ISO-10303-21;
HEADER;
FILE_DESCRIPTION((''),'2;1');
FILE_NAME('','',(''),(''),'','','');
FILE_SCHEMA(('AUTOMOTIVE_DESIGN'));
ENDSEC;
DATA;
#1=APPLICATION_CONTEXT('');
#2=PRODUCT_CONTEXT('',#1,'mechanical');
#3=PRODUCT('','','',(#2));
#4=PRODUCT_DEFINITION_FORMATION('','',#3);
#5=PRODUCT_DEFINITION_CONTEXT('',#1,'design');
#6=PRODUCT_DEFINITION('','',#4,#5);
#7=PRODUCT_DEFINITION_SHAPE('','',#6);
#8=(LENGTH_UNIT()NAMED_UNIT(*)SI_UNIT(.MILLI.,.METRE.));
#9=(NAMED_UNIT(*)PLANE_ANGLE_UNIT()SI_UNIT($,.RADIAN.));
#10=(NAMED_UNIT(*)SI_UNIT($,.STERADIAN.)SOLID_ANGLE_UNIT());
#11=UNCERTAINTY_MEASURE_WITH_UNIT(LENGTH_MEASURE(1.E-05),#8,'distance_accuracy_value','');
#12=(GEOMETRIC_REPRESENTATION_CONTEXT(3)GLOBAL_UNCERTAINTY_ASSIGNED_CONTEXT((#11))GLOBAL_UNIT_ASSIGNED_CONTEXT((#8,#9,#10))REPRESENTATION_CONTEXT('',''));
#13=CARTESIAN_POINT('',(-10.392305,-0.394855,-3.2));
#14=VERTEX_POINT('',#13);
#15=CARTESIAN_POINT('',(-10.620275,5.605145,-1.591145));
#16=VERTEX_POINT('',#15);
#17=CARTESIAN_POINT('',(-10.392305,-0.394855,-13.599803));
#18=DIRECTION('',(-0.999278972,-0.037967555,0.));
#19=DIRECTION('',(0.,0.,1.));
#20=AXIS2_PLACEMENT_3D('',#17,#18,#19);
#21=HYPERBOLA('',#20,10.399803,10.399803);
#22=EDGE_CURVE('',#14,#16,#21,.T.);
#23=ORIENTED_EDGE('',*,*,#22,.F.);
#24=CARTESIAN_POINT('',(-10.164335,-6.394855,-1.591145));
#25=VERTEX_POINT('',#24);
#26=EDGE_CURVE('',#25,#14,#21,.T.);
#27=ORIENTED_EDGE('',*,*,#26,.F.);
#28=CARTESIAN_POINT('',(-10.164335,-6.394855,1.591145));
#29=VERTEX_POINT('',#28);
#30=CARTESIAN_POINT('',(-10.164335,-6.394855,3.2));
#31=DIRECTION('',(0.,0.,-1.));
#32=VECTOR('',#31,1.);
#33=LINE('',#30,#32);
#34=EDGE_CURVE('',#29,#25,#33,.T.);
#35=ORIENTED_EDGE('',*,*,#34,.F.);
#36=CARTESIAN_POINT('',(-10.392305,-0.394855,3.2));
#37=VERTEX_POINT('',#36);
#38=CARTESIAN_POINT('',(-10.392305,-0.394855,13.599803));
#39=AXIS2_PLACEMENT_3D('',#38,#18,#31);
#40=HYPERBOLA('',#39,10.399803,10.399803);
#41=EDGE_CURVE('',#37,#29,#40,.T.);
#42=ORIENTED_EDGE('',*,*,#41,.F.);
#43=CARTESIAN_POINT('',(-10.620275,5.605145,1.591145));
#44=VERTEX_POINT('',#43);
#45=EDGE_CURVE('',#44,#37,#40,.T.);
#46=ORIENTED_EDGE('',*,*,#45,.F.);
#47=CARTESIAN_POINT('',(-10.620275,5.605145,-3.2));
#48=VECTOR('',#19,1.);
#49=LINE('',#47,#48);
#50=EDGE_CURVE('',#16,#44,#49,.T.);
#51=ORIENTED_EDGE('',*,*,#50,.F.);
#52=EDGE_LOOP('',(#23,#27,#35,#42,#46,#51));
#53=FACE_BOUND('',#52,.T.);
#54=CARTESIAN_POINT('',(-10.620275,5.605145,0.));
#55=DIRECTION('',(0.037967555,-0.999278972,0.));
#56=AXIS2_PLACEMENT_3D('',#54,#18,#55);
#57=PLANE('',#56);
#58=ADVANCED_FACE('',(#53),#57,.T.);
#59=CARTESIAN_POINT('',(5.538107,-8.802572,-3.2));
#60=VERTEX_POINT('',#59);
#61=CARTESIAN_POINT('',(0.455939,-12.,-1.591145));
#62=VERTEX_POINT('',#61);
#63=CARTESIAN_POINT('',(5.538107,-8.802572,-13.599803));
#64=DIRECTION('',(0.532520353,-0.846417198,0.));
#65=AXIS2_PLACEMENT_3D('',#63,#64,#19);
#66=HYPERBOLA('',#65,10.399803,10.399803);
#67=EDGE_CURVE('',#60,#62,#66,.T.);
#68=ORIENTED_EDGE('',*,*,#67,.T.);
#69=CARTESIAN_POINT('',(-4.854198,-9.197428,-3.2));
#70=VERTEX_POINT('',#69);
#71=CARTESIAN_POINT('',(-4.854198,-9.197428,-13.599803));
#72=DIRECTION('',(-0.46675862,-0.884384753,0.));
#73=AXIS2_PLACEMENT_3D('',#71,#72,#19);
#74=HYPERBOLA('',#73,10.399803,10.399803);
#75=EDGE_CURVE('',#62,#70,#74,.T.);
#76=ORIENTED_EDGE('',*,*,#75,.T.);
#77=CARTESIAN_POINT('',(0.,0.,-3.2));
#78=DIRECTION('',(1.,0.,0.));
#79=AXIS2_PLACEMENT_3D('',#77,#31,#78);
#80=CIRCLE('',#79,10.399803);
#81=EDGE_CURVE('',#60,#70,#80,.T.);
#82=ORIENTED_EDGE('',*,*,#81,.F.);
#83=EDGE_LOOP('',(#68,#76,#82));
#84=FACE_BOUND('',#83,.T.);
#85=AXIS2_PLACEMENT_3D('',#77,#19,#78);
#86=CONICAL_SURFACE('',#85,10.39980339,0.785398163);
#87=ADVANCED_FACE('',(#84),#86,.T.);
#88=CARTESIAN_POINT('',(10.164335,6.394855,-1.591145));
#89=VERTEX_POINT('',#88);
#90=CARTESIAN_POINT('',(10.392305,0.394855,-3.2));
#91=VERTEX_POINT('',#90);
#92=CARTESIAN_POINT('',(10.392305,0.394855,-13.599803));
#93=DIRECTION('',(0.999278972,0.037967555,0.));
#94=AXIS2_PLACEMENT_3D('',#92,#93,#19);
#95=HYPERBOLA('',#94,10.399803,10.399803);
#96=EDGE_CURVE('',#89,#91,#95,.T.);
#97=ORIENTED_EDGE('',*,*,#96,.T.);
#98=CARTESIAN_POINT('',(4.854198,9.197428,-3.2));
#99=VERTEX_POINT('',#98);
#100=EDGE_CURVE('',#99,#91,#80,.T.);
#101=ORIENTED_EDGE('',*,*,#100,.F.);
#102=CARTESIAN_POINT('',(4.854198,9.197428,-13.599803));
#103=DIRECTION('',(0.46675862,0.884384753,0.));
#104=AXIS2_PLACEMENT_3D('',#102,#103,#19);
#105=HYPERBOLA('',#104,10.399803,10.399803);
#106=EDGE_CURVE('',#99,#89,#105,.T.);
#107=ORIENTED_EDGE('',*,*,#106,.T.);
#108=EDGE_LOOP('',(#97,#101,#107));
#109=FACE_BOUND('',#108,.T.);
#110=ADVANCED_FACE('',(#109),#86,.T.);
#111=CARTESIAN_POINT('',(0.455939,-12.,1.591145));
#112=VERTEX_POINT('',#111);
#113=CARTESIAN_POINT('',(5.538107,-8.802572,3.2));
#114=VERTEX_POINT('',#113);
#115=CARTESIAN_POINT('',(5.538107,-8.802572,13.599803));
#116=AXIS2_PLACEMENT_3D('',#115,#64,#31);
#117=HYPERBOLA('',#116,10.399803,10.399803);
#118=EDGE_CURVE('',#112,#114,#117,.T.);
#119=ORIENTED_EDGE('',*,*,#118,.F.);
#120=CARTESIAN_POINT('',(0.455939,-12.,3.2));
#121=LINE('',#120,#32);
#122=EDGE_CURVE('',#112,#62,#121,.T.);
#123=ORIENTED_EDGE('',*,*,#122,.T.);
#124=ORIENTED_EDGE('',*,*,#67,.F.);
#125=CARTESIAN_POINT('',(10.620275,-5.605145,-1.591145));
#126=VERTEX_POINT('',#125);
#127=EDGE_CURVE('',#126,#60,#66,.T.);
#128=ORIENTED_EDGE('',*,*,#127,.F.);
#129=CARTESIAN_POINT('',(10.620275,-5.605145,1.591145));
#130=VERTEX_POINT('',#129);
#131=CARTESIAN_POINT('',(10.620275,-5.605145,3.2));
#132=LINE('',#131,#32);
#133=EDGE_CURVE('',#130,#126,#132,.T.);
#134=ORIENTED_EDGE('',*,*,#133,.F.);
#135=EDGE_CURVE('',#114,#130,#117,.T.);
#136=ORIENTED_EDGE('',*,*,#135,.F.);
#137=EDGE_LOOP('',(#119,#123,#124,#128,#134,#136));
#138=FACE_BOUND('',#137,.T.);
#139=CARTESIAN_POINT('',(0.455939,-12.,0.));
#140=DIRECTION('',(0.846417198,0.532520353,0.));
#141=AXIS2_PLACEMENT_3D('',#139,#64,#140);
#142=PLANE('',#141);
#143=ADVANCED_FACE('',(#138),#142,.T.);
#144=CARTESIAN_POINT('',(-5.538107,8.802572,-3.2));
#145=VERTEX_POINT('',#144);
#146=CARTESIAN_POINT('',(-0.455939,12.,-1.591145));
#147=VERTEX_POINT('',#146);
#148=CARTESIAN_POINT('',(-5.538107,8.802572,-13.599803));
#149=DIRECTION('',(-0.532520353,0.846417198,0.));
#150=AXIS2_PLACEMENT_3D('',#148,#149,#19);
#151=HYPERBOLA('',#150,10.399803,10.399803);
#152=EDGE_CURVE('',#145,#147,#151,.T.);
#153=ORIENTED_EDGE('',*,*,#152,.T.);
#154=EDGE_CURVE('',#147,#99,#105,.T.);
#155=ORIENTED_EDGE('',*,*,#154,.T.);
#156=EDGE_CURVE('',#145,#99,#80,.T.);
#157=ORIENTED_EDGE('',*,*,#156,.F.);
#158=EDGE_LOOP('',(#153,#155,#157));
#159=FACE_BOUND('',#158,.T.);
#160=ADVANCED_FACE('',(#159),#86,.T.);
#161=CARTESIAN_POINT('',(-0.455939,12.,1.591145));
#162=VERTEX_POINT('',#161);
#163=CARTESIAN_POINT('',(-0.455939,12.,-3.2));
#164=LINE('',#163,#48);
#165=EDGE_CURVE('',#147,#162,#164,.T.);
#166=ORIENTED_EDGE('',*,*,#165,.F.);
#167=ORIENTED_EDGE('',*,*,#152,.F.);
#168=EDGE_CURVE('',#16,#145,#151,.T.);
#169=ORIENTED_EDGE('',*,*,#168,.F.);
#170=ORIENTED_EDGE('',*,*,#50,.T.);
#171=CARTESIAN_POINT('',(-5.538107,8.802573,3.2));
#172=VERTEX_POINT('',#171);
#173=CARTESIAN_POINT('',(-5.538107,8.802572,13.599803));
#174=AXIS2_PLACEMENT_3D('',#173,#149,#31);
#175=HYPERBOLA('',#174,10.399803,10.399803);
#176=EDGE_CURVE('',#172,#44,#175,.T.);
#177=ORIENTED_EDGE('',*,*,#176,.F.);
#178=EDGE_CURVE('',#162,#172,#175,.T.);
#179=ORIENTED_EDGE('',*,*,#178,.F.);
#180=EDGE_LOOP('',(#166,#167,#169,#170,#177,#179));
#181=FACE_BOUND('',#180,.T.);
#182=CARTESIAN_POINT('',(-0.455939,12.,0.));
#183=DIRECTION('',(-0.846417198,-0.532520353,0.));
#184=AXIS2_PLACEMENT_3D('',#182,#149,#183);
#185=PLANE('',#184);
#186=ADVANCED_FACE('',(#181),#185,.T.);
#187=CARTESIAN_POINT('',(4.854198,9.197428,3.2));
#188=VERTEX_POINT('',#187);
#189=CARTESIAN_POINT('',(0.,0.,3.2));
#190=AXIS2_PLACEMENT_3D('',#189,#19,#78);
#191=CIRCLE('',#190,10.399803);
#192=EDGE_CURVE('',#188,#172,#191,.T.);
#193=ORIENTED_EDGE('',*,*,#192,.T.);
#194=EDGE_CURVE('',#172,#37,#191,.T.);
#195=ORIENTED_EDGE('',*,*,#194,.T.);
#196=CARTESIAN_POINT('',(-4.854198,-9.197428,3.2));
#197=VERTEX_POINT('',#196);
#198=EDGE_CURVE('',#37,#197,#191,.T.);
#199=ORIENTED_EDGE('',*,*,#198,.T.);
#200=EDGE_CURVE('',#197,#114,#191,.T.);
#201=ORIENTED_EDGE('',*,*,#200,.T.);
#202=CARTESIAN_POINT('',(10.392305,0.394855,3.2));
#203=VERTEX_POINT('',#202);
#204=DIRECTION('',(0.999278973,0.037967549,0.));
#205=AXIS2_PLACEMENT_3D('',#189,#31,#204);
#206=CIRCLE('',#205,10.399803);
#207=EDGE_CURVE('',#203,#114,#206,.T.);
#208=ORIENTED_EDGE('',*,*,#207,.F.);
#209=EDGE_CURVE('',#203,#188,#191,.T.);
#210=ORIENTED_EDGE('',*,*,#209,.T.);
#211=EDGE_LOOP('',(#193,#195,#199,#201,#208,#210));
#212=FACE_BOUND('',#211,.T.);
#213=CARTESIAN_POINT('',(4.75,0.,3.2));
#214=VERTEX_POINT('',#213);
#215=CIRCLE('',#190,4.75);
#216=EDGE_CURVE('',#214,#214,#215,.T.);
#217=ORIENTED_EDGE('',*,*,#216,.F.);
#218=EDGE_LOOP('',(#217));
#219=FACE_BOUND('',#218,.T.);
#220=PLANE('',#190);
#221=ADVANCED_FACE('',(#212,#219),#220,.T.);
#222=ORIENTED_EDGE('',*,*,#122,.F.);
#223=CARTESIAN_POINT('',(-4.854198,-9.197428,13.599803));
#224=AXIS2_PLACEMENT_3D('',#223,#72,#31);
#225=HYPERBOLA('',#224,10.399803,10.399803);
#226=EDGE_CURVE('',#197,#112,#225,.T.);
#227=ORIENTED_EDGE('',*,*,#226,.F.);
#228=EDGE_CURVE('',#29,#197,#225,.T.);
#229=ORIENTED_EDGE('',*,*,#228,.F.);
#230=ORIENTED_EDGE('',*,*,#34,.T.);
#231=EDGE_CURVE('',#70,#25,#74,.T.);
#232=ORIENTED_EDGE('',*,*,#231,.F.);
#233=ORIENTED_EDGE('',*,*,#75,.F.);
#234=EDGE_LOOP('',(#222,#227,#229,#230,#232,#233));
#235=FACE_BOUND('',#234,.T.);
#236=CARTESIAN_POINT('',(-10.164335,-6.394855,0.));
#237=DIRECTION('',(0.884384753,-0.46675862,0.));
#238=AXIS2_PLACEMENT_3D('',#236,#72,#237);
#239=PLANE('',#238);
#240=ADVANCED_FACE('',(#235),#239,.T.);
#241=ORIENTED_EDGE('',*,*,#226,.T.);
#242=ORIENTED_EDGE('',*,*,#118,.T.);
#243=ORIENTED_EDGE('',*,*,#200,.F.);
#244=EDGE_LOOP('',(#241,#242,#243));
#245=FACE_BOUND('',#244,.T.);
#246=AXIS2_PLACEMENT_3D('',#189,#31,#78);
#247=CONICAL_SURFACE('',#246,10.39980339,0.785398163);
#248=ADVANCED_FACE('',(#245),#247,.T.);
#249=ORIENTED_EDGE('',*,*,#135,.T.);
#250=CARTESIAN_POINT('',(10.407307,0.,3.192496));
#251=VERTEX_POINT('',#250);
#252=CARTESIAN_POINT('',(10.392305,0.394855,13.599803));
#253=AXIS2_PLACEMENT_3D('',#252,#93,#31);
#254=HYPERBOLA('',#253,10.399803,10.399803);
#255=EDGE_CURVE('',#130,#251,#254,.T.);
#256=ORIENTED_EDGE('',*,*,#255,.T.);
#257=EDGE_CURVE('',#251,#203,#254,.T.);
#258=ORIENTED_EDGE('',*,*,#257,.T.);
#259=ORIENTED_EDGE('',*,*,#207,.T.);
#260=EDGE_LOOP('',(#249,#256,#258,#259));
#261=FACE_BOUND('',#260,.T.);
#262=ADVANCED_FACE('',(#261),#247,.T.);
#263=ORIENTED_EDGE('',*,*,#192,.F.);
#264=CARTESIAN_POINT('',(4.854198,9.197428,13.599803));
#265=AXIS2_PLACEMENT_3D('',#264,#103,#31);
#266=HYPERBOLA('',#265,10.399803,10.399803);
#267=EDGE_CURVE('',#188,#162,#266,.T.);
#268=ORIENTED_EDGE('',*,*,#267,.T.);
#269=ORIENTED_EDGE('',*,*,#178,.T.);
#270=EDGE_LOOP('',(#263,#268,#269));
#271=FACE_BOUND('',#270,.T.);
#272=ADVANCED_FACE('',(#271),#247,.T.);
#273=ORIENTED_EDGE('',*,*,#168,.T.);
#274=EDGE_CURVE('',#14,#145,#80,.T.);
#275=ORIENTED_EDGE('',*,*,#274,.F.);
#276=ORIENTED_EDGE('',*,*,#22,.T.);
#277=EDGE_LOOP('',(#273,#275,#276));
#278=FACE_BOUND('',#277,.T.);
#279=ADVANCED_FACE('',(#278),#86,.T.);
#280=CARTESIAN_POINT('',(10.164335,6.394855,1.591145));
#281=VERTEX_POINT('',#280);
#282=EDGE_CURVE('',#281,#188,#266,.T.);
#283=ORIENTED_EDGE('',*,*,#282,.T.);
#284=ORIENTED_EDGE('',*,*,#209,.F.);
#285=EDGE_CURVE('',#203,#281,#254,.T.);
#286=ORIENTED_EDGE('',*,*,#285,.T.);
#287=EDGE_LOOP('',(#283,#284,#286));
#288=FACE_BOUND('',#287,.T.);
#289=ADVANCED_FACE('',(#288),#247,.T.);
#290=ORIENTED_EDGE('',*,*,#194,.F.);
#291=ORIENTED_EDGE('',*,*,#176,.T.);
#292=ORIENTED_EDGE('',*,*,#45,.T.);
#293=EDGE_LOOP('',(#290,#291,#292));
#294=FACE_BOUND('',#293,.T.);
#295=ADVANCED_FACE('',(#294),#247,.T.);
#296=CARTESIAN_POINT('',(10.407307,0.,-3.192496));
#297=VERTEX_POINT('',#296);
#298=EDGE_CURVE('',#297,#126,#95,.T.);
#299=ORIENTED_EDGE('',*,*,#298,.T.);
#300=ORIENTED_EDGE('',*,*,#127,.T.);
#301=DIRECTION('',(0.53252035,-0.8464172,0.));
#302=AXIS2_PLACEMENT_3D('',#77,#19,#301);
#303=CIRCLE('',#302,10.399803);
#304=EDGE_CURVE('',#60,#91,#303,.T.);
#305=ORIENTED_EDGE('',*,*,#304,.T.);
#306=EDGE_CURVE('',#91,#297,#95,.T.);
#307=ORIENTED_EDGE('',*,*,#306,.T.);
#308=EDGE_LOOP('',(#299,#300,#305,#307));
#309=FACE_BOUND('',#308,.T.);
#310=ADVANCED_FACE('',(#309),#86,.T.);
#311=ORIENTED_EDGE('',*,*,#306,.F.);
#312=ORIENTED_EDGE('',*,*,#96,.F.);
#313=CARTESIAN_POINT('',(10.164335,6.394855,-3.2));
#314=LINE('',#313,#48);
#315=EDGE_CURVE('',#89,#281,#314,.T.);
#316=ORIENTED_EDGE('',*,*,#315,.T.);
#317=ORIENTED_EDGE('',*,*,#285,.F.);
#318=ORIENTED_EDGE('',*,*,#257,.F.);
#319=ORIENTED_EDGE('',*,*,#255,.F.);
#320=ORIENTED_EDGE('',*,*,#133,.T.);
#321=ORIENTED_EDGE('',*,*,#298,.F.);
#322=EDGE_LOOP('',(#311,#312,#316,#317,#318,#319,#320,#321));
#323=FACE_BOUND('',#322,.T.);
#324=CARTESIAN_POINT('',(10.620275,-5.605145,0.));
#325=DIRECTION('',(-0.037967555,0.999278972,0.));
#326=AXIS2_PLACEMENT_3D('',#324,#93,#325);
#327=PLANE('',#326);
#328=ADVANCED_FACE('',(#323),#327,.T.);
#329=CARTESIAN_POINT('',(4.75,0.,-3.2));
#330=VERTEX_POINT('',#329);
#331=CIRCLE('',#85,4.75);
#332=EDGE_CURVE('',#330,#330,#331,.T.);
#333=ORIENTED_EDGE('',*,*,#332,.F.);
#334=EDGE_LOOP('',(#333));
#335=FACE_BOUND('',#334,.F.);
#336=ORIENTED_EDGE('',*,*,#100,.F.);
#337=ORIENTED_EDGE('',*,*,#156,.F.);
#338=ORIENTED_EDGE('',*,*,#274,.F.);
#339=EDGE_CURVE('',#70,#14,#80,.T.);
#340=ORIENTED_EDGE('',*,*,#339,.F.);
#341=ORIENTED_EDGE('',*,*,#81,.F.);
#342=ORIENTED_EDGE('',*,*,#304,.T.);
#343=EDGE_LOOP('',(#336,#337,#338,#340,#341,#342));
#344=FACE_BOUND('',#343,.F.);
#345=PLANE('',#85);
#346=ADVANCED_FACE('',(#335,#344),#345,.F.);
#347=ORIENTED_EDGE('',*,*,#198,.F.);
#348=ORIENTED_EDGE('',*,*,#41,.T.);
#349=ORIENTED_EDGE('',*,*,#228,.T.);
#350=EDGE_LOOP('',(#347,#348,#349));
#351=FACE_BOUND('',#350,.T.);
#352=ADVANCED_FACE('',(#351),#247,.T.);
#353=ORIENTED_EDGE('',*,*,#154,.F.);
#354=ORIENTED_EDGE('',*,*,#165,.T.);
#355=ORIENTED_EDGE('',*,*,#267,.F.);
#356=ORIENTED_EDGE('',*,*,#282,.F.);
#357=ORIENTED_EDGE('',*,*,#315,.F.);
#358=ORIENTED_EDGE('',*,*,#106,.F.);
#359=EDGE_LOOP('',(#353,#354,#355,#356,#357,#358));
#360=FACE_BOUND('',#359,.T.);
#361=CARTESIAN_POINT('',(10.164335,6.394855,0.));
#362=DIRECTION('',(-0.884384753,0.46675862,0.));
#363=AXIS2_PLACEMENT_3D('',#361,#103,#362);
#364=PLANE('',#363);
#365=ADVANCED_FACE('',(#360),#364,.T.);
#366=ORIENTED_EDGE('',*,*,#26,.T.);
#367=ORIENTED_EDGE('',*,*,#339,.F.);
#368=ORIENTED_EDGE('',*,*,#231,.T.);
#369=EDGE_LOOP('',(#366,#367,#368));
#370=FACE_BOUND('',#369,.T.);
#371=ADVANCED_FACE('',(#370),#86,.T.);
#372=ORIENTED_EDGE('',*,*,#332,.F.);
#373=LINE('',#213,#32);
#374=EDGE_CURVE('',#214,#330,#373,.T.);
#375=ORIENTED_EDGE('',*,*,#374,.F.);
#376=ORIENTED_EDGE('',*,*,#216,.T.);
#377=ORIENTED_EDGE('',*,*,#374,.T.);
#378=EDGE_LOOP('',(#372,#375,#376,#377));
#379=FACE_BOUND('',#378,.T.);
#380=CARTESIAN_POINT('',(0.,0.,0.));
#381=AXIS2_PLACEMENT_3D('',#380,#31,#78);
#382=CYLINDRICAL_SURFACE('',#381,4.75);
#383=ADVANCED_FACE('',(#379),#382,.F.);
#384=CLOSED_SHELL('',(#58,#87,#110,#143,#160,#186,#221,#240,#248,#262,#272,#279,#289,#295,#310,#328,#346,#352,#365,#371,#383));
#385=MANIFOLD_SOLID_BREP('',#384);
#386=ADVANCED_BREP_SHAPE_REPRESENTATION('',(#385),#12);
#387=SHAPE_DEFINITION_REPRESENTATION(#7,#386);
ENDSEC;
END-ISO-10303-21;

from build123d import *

# Parameters (mm, degrees)
SKETCH1_R               = 4.75
BOSS_EXTRUDE1_DEPTH     = 3.2
SKETCH2_OUTSIDE_W       = 42.576
SKETCH2_OUTSIDE_H       = 45.336
SKETCH2_OUTSIDE_R       = 10.39980339
CUT_EXTRUDE1_DEPTH      = 6.4
CUT_EXTRUDE1_DRAFT      = -45
MIRROR1_COPY_1_SKETCH_W = 42.576
MIRROR1_COPY_1_SKETCH_H = 45.336
MIRROR1_COPY_1_SKETCH_R = 10.39980339
MIRROR1_COPY_1_DEPTH    = 6.4
MIRROR1_COPY_1_DRAFT    = -45


with BuildPart() as part:
    # Sketch1 → Boss-Extrude1 (new, symmetric)
    with BuildSketch(Plane.XY):
        Polygon((10.620274545, -5.605144899), (10.164335146, 6.394855101), (-0.455939398, 12), (-10.620274545, 5.605144899), (-10.164335146, -6.394855101), (0.455939398, -12), align=None)
        Circle(SKETCH1_R, mode=Mode.SUBTRACT)
    extrude(amount=BOSS_EXTRUDE1_DEPTH, both=True)


with BuildPart() as cut_extrude1_tool:
    # Sketch2 outside → Cut-Extrude1 (with draft: the straight prism first)
    with BuildSketch(Plane.XY.offset(3.2)):
        Rectangle(SKETCH2_OUTSIDE_W, SKETCH2_OUTSIDE_H)
        Circle(SKETCH2_OUTSIDE_R, mode=Mode.SUBTRACT)
    extrude(amount=-CUT_EXTRUDE1_DEPTH)
    # Cut-Extrude1: the draft: its side faces are tilted about the plane it starts from
    cut_extrude1_sides = [cut_extrude1_tool.faces().sort_by_distance(p)[0] for p in [
        (0, -22.668, 0),
        (21.288, 0, 0),
        (0, 22.668, 0),
        (-21.288, 0, 0),
        (-10.39980339, 0, 0),
    ]]
    draft(cut_extrude1_sides, Plane.XY.offset(3.2), CUT_EXTRUDE1_DRAFT)


with BuildPart() as part_1:
    add(part.part)

    # Cut-Extrude1: cut by cut_extrude1_tool
    add(cut_extrude1_tool.part, mode=Mode.SUBTRACT)


with BuildPart() as mirror1_copy_1_tool:
    # Mirror1 copy 1 sketch → Mirror1 copy 1 (with draft: the straight prism first)
    with BuildSketch(Plane(origin=(0, 0, -3.2), x_dir=(1, 0, 0), z_dir=(0, 0, -1))):
        Rectangle(MIRROR1_COPY_1_SKETCH_W, MIRROR1_COPY_1_SKETCH_H)
        Circle(MIRROR1_COPY_1_SKETCH_R, mode=Mode.SUBTRACT)
    extrude(amount=-MIRROR1_COPY_1_DEPTH)
    # Mirror1 copy 1: the draft: its side faces are tilted about the plane it starts from
    mirror1_copy_1_sides = [mirror1_copy_1_tool.faces().sort_by_distance(p)[0] for p in [
        (0, -22.668, 0),
        (21.288, 0, 0),
        (0, 22.668, 0),
        (-21.288, 0, 0),
        (-10.39980339, 0, 0),
    ]]
    draft(mirror1_copy_1_sides, Plane(origin=(0, 0, -3.2), x_dir=(1, 0, 0), z_dir=(0, 0, -1)), MIRROR1_COPY_1_DRAFT)


with BuildPart() as part_2:
    add(part_1.part)

    # Mirror1 copy 1: cut by mirror1_copy_1_tool
    add(mirror1_copy_1_tool.part, mode=Mode.SUBTRACT)


solid = part_2.part
